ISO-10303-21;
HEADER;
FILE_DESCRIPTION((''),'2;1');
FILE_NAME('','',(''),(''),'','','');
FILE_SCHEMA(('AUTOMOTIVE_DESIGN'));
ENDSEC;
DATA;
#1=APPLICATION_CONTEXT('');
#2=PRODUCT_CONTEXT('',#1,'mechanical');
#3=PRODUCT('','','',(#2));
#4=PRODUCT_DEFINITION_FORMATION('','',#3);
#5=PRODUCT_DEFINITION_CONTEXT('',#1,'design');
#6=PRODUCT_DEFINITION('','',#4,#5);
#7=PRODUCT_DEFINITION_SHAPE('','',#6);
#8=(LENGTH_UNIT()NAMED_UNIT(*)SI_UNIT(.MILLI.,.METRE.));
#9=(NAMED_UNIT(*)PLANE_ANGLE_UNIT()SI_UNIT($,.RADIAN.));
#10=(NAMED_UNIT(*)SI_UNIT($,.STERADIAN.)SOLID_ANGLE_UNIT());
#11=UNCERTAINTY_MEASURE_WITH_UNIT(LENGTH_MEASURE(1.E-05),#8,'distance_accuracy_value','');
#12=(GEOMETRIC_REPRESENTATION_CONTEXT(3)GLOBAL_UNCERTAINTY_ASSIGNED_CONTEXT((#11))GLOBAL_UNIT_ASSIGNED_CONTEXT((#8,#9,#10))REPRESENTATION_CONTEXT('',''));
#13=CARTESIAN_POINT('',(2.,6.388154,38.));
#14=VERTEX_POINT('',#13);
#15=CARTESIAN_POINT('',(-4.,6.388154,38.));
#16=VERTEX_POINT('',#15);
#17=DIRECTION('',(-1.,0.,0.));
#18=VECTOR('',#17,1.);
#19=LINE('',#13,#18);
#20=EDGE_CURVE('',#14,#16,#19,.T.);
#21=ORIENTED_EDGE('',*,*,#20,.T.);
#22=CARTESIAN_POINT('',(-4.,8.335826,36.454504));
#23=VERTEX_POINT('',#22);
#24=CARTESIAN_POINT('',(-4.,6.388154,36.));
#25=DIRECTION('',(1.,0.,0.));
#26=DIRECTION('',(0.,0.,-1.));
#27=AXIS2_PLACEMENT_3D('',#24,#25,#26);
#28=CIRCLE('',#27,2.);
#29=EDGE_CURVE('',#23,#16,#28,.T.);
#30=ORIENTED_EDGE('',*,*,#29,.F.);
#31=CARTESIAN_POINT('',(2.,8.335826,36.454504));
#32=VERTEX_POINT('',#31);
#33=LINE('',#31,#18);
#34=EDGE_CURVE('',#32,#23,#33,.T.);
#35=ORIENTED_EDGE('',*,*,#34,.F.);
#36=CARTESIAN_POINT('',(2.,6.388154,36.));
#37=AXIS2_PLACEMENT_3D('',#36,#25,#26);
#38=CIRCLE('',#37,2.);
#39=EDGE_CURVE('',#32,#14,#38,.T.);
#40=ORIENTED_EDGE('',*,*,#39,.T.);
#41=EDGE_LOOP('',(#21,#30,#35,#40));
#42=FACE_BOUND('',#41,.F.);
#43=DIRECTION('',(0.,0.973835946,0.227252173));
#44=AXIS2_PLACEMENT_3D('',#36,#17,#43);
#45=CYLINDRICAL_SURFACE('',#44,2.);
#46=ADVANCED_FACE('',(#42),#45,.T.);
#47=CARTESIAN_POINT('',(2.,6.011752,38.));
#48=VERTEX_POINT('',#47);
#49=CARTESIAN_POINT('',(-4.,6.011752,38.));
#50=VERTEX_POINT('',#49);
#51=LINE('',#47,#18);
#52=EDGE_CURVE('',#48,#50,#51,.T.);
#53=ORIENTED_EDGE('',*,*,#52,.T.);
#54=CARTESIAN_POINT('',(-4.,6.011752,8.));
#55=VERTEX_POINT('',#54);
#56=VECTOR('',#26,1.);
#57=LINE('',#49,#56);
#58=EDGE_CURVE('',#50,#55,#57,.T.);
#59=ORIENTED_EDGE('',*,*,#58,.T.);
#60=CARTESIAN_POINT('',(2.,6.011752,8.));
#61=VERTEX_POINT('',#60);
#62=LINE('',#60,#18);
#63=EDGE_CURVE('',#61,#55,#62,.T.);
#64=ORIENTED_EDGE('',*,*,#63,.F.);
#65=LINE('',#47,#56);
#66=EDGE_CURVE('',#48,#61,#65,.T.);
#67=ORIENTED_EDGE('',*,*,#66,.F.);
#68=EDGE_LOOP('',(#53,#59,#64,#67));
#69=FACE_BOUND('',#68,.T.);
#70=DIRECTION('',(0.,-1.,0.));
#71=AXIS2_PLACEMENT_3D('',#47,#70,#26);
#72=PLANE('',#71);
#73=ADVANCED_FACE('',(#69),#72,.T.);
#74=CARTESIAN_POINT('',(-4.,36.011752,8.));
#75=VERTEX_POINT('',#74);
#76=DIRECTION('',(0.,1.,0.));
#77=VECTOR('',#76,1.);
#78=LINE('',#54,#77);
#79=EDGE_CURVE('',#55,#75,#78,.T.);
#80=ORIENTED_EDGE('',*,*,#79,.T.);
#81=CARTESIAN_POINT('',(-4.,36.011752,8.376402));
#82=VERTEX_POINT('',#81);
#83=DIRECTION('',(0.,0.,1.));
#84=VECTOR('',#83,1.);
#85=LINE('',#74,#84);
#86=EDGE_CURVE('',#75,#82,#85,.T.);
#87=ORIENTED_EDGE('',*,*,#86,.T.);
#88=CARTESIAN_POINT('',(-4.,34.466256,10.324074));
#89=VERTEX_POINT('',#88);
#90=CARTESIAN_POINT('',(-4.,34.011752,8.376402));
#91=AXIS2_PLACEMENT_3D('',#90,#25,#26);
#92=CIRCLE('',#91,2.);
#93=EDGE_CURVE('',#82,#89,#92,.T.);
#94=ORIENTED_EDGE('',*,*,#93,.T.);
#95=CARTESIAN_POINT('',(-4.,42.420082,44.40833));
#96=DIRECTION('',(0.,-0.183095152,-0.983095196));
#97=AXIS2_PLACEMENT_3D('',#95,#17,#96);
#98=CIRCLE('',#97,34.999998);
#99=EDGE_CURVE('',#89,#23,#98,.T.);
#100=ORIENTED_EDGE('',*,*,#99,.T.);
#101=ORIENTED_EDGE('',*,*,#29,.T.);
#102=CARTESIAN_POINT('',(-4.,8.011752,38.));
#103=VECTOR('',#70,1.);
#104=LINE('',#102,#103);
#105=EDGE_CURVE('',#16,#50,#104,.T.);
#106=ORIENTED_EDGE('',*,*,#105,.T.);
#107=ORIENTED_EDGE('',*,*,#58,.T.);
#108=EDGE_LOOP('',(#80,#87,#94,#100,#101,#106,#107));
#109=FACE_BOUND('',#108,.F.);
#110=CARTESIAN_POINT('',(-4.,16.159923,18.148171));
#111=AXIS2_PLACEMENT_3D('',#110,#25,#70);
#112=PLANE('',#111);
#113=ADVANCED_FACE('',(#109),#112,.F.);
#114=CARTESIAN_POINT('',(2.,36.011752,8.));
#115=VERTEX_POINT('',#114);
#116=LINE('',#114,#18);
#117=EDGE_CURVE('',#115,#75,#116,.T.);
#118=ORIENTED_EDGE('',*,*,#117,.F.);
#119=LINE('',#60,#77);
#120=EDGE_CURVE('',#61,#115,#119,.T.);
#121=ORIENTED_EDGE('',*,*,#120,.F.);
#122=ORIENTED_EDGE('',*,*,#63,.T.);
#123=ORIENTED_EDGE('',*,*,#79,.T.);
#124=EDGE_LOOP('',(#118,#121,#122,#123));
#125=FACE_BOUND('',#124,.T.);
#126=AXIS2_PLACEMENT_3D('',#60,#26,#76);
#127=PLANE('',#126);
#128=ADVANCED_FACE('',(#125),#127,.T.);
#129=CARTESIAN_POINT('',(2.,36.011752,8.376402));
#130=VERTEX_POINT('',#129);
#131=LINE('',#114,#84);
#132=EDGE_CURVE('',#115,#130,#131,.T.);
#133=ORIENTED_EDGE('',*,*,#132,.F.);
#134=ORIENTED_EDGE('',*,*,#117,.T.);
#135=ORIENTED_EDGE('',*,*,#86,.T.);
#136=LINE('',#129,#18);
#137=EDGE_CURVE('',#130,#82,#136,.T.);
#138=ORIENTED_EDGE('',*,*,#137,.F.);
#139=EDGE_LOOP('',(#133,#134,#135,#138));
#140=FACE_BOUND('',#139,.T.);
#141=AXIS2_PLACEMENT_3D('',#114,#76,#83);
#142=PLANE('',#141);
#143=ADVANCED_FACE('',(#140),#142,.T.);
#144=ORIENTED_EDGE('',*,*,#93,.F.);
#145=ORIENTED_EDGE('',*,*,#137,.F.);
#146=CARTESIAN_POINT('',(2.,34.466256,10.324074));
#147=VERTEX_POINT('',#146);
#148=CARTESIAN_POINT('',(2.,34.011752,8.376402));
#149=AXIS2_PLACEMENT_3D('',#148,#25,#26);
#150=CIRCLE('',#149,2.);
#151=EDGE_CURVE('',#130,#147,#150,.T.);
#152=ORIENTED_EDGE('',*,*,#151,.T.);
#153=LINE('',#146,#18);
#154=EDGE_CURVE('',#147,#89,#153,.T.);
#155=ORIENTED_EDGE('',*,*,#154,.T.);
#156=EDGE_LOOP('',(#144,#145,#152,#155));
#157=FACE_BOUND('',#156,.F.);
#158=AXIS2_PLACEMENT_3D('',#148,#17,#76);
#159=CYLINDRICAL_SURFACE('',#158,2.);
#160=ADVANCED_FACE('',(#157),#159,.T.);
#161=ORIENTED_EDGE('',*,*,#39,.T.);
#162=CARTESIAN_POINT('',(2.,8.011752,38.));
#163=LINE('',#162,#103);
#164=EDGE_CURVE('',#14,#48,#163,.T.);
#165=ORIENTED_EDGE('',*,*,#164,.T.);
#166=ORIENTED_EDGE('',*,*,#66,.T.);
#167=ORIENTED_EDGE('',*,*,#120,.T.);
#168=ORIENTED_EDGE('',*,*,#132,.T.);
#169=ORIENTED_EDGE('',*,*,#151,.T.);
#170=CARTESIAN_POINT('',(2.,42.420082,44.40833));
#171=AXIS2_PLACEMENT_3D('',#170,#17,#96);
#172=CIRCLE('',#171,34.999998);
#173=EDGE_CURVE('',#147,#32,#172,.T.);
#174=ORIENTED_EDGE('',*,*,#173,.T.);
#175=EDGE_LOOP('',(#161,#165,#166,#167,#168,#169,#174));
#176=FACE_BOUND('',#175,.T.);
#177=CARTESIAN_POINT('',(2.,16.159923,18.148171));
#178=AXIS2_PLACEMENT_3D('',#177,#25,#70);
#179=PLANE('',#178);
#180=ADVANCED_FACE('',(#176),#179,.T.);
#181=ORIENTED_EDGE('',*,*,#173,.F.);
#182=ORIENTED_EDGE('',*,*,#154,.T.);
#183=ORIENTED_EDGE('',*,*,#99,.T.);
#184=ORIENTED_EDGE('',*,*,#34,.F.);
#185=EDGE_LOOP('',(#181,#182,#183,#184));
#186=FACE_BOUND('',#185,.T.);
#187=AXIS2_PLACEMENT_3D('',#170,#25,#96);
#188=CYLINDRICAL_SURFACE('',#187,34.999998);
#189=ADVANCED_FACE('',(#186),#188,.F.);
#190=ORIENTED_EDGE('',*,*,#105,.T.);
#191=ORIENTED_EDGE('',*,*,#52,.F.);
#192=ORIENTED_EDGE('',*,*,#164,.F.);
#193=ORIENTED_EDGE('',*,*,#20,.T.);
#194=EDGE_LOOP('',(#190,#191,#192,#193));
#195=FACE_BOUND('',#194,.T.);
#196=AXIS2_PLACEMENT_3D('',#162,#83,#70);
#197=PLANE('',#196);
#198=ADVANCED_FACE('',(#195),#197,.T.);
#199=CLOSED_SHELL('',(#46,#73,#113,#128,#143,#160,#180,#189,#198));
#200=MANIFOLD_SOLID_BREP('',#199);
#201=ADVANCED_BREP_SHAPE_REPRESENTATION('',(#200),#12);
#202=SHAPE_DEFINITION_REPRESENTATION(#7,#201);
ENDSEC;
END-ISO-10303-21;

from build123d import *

# Parameters (mm, degrees)
PAD012_DEPTH            = 6
FILLET002_R             = 2
FILLET003_R             = 2
BODY011_PLACEMENT_ANGLE = 180


with BuildPart() as part:
    # Sketch025 → Pad012 (new body)
    with BuildSketch(Plane.YZ):
        with BuildLine():
            Line((6.011752, 0), (36.011752, 0))
            Line((36.011752, 0), (36.011752, -2))
            ThreePointArc((36.011752, -2), (17.671346, -11.659594), (8.011752, -30))
            Line((8.011752, -30), (6.011752, -30))
            Line((6.011752, -30), (6.011752, 0))
        make_face()
    extrude(amount=PAD012_DEPTH)

    # Fillet002
    fillet002_edges = [part.edges().sort_by_distance(p)[0] for p in [
        (3, 36.011752, -2),
    ]]
    fillet(fillet002_edges, radius=FILLET002_R)

    # Fillet003
    fillet003_edges = [part.edges().sort_by_distance(p)[0] for p in [
        (3, 8.011752, -30),
    ]]
    fillet(fillet003_edges, radius=FILLET003_R)


with BuildPart() as part_1:
    # Body011 placement: moved
    add(part.part.moved(Location((2, 0, 8))).rotate(Axis((2, 0, 8), (0, 1, 0)), BODY011_PLACEMENT_ANGLE))


solid = part_1.part
